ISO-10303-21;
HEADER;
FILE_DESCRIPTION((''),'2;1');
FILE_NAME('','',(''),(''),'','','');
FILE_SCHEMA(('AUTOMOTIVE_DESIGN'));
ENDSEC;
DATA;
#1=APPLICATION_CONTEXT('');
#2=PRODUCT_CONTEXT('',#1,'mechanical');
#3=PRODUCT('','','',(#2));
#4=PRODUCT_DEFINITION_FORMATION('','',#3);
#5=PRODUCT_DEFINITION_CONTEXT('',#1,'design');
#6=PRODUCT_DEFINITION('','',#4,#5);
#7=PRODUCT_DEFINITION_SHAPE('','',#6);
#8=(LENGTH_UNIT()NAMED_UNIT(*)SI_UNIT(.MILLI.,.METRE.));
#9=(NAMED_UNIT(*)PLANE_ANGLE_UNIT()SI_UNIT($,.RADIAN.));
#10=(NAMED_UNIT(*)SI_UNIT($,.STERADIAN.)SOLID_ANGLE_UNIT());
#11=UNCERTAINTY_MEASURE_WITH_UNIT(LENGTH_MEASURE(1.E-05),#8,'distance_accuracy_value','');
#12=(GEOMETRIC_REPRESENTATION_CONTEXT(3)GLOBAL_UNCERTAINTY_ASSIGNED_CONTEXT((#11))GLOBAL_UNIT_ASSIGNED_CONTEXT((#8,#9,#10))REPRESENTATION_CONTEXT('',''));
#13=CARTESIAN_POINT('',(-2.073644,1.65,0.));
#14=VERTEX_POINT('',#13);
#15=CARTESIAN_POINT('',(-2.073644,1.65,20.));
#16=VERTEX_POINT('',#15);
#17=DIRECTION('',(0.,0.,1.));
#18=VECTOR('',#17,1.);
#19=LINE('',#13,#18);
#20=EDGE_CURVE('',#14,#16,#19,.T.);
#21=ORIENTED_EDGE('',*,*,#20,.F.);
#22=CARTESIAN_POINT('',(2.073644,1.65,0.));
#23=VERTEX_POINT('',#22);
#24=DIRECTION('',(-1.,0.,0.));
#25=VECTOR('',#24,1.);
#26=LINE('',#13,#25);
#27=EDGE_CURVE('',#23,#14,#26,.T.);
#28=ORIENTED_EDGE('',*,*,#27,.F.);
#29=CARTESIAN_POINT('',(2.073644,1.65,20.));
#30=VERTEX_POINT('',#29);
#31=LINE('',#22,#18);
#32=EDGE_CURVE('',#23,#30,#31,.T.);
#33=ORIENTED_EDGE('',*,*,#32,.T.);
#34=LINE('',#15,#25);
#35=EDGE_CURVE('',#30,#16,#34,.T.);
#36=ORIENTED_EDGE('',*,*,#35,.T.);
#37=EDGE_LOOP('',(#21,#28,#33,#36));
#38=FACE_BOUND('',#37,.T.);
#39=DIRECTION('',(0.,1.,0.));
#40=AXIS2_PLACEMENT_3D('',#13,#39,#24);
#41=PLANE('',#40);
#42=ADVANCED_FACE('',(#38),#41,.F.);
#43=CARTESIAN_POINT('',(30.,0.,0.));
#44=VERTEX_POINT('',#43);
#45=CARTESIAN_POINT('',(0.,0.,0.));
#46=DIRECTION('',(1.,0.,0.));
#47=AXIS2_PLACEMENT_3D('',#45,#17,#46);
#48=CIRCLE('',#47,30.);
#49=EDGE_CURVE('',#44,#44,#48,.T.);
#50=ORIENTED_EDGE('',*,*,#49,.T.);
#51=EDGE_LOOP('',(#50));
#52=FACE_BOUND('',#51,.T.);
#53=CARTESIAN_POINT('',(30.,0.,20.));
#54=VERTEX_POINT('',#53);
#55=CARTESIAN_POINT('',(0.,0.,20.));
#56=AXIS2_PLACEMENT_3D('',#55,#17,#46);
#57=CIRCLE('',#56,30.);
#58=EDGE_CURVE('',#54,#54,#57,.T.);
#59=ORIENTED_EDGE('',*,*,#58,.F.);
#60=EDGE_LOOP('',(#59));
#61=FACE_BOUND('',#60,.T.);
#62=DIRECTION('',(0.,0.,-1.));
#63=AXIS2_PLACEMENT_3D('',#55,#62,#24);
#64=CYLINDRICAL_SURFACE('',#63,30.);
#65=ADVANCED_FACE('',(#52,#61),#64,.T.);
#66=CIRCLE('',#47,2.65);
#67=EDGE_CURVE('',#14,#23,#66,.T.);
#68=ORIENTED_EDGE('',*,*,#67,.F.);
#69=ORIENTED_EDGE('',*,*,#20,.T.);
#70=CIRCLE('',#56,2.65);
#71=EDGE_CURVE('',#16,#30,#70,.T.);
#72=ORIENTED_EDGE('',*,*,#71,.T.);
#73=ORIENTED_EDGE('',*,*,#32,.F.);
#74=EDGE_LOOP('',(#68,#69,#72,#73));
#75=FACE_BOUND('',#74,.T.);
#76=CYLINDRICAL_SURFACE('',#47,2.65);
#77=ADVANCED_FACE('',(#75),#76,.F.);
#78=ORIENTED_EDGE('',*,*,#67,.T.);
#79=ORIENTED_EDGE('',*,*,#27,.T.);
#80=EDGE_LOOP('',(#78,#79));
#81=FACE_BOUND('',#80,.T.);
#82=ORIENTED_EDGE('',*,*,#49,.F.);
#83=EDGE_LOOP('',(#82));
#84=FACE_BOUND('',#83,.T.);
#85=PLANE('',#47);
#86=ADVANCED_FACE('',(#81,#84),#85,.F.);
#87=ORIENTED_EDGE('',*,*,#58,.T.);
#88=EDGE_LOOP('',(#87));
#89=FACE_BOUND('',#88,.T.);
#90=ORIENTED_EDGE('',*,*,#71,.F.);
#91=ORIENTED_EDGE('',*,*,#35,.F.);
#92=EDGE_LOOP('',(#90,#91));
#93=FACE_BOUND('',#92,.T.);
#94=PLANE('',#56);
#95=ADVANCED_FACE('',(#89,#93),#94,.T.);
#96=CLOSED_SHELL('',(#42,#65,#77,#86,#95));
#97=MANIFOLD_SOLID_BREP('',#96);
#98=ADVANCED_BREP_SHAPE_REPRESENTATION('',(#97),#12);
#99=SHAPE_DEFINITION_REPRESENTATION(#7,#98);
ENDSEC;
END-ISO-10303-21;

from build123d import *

# Parameters (mm, degrees)
SKETCH1_R           = 30
BOSS_EXTRUDE1_DEPTH = 20
CUT_EXTRUDE1_DEPTH  = 47.904157598


with BuildPart() as part:
    # Sketch1 → Boss-Extrude1 (new body)
    with BuildSketch(Plane.XY):
        Circle(SKETCH1_R)
    extrude(amount=BOSS_EXTRUDE1_DEPTH)

    # Sketch2 → Cut-Extrude1 (cut, through all)
    with BuildSketch(Plane.XY.offset(20)):
        with BuildLine():
            Line((-2.073644135, 1.65), (2.073644135, 1.65))
            ThreePointArc((2.073644135, 1.65), (0, -2.65), (-2.073644135, 1.65))
        make_face()
    extrude(amount=-CUT_EXTRUDE1_DEPTH, mode=Mode.SUBTRACT)


solid = part.part
